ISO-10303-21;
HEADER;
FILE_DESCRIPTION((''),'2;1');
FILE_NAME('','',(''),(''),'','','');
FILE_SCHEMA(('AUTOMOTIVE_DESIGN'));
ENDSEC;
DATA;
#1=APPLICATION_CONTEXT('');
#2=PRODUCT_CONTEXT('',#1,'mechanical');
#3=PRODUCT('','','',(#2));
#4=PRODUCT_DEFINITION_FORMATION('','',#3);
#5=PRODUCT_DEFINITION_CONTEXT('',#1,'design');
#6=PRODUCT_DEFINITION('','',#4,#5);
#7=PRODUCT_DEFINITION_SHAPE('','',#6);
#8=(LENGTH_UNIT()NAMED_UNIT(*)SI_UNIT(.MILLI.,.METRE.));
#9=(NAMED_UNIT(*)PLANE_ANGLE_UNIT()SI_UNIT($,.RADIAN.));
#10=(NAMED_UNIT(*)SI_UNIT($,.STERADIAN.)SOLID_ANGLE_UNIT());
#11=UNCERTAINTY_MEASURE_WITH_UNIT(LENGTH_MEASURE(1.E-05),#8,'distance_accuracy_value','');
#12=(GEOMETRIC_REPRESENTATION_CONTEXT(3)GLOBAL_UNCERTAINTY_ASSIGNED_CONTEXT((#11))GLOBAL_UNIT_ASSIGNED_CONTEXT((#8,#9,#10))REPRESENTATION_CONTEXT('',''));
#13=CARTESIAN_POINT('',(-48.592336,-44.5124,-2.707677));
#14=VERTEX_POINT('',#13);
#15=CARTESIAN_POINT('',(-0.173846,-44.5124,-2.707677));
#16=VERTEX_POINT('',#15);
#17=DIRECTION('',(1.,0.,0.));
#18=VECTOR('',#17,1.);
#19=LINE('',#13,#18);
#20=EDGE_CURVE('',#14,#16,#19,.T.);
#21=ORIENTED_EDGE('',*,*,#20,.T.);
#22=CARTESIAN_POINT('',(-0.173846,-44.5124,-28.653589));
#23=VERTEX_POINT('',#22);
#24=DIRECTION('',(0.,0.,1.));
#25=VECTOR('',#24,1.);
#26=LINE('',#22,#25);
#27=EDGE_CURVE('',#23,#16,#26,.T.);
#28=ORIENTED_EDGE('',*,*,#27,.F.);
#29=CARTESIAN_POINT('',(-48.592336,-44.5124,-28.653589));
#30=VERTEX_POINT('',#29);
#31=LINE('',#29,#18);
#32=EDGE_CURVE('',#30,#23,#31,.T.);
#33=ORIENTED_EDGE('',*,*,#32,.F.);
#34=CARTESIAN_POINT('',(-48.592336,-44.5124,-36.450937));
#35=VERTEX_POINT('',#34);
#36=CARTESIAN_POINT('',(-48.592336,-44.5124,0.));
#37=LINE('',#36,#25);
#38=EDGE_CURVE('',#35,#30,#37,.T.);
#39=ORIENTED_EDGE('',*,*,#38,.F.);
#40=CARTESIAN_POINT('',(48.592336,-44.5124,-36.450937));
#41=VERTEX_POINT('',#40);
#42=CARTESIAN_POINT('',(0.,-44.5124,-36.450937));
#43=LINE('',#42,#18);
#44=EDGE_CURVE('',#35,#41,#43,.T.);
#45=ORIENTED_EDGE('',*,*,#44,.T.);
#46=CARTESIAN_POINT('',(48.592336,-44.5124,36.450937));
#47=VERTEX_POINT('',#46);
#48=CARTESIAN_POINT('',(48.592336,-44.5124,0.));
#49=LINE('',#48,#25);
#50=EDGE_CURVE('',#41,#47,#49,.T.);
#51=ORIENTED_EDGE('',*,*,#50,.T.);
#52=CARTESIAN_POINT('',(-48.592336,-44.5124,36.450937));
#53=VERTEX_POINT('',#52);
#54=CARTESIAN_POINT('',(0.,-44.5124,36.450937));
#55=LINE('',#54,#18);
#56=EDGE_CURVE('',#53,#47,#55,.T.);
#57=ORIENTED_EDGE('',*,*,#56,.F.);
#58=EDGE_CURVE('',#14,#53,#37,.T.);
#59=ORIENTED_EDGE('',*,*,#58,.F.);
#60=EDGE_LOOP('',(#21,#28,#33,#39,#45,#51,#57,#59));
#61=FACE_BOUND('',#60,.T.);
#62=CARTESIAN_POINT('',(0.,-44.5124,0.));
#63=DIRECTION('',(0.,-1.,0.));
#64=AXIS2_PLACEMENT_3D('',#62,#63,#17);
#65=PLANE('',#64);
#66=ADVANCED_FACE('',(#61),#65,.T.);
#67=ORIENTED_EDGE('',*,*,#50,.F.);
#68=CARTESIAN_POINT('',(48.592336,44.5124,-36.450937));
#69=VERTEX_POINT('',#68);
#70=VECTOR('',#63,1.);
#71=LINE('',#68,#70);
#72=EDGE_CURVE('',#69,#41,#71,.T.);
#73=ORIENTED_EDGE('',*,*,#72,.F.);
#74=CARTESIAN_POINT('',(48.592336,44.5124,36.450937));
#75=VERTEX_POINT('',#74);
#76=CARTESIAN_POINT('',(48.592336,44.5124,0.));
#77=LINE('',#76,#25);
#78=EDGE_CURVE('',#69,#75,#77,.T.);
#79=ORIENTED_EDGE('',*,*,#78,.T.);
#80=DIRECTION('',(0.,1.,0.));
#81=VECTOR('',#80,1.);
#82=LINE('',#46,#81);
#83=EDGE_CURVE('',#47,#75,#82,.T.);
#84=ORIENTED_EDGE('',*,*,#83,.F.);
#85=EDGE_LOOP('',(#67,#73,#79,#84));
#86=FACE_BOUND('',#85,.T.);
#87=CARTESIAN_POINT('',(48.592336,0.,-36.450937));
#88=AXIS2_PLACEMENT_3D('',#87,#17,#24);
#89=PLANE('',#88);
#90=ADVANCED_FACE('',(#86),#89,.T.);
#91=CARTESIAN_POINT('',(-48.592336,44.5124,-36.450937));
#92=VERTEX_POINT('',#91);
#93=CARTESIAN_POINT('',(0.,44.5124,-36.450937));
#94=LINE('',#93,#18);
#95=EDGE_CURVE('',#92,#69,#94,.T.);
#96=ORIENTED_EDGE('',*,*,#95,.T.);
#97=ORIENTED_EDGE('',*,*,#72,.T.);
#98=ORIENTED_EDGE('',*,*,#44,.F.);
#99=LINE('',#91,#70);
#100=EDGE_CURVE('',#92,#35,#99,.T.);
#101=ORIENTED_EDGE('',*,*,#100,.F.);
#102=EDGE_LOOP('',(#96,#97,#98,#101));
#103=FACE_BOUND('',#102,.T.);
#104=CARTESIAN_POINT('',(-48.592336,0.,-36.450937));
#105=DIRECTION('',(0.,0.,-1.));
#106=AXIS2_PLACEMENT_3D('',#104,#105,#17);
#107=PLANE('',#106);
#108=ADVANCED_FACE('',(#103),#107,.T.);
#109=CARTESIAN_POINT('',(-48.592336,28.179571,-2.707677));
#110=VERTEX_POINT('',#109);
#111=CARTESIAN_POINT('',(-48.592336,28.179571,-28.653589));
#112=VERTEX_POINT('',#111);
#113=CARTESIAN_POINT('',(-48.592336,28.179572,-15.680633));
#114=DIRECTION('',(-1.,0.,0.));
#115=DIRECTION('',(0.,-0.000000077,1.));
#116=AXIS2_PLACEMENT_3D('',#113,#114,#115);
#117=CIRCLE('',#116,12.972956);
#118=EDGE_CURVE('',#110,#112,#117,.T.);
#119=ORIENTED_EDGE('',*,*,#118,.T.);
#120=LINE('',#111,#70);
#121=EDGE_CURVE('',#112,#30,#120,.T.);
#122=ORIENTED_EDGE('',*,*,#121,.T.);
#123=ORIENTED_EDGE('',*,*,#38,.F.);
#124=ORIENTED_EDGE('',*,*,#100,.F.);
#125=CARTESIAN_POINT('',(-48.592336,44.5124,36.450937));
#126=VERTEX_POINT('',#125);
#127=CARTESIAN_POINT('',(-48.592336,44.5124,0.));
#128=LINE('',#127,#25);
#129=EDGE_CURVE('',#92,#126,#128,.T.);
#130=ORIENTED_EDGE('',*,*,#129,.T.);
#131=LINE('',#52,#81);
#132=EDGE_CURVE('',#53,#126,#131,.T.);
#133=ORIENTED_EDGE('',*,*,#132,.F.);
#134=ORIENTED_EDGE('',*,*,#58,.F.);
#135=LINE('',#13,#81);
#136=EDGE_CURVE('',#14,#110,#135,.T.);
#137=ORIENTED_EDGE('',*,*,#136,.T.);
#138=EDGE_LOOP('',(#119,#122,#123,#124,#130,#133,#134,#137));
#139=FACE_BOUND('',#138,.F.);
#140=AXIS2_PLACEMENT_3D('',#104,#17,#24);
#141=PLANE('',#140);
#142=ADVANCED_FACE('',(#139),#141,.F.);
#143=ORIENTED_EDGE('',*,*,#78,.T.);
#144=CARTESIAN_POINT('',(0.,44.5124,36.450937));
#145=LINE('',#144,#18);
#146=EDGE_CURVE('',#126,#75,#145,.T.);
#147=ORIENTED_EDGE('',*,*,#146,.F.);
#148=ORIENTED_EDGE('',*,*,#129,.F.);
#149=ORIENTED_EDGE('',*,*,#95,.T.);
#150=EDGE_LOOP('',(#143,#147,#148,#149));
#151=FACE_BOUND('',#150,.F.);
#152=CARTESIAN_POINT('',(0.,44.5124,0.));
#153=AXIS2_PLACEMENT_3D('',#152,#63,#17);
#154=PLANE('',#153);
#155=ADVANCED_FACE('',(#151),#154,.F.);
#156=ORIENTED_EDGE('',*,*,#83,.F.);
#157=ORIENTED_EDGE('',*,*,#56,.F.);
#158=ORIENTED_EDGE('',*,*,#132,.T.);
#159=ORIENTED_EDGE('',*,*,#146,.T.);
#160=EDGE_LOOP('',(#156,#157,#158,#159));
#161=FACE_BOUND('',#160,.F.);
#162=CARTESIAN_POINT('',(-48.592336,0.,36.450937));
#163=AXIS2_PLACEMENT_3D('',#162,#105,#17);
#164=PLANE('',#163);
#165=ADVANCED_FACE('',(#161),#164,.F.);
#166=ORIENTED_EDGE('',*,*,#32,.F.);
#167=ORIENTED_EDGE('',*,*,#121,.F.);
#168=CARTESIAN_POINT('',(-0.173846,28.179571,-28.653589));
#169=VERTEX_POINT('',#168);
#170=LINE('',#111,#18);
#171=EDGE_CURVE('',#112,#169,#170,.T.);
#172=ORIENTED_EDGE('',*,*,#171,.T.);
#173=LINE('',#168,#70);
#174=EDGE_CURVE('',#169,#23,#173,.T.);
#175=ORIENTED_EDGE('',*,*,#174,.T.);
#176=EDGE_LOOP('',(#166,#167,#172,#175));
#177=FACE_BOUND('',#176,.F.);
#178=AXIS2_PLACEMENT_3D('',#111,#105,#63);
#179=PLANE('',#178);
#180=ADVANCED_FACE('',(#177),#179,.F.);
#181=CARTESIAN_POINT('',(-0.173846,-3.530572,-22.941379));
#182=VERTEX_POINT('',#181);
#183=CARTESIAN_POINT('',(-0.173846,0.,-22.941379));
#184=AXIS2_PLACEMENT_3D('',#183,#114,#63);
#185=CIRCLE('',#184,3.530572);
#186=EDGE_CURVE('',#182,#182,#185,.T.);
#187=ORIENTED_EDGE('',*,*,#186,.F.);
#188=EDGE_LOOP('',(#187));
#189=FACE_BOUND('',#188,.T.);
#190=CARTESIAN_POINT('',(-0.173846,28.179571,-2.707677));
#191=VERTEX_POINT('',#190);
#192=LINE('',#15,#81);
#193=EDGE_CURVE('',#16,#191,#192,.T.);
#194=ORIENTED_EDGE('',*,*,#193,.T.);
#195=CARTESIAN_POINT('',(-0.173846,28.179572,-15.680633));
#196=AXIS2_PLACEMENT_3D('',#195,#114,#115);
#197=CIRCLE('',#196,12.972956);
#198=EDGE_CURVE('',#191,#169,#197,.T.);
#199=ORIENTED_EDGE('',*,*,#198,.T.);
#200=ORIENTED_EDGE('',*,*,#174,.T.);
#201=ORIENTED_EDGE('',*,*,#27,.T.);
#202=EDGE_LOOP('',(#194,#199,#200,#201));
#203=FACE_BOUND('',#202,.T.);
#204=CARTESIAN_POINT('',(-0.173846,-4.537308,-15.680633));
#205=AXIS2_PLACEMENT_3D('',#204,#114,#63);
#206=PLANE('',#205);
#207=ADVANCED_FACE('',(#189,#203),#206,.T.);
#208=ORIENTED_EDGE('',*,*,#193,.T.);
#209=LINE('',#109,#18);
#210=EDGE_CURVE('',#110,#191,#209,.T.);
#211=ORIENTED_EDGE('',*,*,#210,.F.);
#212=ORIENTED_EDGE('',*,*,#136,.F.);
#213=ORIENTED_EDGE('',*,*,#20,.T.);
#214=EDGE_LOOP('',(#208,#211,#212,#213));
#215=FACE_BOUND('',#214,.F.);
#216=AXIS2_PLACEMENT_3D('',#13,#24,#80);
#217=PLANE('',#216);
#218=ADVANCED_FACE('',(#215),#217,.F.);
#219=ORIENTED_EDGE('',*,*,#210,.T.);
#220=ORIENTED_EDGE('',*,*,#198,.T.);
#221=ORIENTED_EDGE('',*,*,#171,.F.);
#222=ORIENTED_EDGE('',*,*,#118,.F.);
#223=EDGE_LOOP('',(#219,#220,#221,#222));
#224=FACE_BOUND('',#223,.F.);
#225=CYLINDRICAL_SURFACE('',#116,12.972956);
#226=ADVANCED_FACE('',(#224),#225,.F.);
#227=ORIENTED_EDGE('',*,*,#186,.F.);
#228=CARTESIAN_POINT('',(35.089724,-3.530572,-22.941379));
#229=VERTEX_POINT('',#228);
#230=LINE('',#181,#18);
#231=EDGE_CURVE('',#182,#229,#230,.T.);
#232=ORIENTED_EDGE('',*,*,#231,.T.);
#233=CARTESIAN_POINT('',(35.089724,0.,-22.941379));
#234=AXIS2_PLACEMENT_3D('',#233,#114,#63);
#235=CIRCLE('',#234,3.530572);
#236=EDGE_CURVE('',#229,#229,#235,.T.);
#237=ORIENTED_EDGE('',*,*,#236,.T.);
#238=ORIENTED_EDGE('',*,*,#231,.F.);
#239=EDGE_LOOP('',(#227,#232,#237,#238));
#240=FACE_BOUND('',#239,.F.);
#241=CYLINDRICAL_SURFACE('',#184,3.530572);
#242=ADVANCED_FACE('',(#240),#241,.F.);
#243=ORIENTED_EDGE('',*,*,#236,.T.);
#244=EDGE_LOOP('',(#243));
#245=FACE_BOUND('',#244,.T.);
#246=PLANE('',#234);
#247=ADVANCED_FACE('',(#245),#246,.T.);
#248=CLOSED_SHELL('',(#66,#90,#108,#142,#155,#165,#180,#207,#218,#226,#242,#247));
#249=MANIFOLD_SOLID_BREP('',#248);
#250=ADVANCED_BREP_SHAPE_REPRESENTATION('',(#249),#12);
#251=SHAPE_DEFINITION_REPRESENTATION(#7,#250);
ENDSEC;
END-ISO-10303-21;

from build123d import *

# Parameters (mm, degrees)
F0_W     = 97.184672
F0_H     = 72.901874
F1_DEPTH = 44.5124
F3_DEPTH = 48.41849
F4_R     = 3.530572
F5_DEPTH = 35.26357


with BuildPart() as f1:
    # F0 (on Front) → F1 (new body, symmetric)
    with BuildSketch(Plane.XZ):
        Rectangle(F0_W, F0_H)
    extrude(amount=F1_DEPTH, both=True)

    # F2 (on face) → F3 (cut)
    with BuildSketch(Plane(origin=(-48.592336, 0, 0), x_dir=(0, -1, 0), z_dir=(-1, 0, 0))):
        with BuildLine():
            Line((44.5124, -2.707677), (-28.179571, -2.707677))
            ThreePointArc((-28.179571, -2.707677), (-41.152528, -15.680633), (-28.179571, -28.653589))
            Line((-28.179571, -28.653589), (44.5124, -28.653589))
            Line((44.5124, -28.653589), (44.5124, -2.707677))
        make_face()
    extrude(amount=-F3_DEPTH, mode=Mode.SUBTRACT)

    # F4 (on face) → F5 (cut)
    with BuildSketch(Plane(origin=(-0.173846, 0, 0), x_dir=(0, -1, 0), z_dir=(-1, 0, 0))):
        with Locations((0, -22.941379)):
            Circle(F4_R)
    extrude(amount=-F5_DEPTH, mode=Mode.SUBTRACT)


solid = f1.part
